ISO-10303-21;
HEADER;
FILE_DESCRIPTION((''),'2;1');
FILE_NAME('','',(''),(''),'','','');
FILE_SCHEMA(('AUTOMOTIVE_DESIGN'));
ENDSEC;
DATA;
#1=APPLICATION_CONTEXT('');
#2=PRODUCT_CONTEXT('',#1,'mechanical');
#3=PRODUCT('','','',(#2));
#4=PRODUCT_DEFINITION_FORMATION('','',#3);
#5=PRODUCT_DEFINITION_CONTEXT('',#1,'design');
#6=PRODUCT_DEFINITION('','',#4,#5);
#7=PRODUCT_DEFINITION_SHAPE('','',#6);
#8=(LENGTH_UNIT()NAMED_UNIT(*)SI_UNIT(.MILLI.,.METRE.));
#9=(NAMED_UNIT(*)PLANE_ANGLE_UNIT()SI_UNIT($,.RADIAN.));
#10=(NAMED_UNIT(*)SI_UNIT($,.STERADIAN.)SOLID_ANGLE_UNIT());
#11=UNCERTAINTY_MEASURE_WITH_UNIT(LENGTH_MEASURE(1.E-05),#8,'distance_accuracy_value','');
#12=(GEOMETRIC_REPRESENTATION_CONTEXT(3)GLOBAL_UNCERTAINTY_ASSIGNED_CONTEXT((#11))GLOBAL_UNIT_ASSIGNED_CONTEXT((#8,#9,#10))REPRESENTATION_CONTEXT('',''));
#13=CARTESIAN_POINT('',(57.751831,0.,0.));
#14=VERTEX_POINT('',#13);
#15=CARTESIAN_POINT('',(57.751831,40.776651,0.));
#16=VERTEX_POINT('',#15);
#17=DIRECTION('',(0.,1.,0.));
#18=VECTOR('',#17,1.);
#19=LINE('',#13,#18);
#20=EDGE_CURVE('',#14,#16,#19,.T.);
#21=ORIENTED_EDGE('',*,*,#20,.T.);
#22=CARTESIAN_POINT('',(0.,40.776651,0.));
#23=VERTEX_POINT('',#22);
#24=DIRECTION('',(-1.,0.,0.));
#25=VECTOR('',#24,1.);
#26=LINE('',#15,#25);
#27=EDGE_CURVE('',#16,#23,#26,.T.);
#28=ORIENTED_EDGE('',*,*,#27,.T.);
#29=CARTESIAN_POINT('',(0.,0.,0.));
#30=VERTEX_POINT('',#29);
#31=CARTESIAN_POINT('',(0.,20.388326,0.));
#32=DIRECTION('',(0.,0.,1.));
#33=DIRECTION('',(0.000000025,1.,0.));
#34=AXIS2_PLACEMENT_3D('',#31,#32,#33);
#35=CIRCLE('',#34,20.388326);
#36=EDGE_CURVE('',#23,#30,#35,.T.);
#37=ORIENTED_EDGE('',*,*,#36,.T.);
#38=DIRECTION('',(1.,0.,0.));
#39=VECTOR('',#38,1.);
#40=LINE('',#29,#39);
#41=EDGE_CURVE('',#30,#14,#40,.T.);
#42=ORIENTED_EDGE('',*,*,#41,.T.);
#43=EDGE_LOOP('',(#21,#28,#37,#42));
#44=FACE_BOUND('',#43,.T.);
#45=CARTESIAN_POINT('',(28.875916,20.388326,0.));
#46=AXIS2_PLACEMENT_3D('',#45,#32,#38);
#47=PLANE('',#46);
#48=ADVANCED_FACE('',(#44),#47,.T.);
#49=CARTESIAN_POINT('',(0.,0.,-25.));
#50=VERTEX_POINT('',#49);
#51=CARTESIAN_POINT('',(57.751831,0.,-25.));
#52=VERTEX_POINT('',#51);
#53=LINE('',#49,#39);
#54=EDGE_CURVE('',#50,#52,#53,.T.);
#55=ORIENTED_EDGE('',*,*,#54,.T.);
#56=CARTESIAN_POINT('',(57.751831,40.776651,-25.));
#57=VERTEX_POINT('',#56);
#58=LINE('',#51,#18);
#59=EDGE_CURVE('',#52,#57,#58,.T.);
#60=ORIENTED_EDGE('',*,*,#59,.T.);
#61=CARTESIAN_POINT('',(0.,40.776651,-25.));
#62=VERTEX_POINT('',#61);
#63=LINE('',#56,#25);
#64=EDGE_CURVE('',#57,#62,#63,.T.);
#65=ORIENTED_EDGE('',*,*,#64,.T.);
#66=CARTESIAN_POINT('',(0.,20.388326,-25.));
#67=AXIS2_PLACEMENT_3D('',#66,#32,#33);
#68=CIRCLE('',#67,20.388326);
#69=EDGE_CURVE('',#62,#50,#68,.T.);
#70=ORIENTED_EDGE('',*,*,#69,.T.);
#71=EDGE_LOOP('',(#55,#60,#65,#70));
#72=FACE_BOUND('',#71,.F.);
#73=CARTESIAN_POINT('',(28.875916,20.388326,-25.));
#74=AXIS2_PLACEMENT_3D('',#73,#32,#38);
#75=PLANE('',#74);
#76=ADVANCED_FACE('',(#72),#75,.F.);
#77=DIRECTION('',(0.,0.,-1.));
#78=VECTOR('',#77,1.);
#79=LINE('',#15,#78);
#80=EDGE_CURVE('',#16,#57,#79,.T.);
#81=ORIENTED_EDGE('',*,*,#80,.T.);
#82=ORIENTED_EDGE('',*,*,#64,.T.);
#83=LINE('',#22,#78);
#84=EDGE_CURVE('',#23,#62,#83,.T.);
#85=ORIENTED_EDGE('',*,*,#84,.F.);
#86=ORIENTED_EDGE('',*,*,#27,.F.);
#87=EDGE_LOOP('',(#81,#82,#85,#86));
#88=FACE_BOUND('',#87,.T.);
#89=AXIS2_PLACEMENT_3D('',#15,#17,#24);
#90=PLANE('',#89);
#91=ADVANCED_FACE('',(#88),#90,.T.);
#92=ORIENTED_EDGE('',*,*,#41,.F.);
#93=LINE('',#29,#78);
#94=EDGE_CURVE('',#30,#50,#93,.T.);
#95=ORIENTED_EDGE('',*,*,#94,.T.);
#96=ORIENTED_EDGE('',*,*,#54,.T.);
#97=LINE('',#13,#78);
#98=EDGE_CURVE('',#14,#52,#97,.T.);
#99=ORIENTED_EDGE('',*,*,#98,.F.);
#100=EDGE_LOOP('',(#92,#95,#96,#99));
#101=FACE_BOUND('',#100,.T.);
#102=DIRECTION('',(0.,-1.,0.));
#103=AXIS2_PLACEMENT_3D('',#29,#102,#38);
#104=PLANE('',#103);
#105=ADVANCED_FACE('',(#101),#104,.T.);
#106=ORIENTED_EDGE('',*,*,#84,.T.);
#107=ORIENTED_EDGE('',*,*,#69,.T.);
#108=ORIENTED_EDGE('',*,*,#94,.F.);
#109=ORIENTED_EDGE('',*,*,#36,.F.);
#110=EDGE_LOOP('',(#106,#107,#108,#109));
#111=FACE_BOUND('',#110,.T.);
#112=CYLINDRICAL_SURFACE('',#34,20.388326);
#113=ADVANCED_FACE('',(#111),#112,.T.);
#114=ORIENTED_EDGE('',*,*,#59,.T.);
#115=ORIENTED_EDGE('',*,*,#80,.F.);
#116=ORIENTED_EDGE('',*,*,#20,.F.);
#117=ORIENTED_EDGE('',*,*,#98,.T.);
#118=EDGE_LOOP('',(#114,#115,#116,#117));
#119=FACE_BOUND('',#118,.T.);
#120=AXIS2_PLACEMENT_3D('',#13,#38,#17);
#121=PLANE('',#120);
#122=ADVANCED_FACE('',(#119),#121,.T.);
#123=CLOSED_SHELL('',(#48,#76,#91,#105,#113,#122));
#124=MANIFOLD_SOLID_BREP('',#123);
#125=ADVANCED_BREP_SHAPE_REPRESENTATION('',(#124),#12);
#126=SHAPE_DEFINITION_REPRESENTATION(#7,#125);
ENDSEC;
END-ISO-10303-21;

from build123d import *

# Parameters (mm, degrees)
F1_DEPTH = 25


with BuildPart() as f1:
    # F0 (on Top) → F1 (new body)
    with BuildSketch(Plane.XY):
        Polygon((0, 0), (5, 0), (57.751831, 0), (57.751831, 40.776651), (5, 40.776651), (0, 40.776651), (0, 35.776651), (0, 5), align=None)
        with BuildLine():
            ThreePointArc((0, 40.776651), (-20.388326, 20.388326), (0, 0))
            Line((0, 0), (0, 5))
            Line((0, 5), (0, 35.776651))
            Line((0, 35.776651), (0, 40.776651))
        make_face()
    extrude(amount=-F1_DEPTH)


solid = f1.part
